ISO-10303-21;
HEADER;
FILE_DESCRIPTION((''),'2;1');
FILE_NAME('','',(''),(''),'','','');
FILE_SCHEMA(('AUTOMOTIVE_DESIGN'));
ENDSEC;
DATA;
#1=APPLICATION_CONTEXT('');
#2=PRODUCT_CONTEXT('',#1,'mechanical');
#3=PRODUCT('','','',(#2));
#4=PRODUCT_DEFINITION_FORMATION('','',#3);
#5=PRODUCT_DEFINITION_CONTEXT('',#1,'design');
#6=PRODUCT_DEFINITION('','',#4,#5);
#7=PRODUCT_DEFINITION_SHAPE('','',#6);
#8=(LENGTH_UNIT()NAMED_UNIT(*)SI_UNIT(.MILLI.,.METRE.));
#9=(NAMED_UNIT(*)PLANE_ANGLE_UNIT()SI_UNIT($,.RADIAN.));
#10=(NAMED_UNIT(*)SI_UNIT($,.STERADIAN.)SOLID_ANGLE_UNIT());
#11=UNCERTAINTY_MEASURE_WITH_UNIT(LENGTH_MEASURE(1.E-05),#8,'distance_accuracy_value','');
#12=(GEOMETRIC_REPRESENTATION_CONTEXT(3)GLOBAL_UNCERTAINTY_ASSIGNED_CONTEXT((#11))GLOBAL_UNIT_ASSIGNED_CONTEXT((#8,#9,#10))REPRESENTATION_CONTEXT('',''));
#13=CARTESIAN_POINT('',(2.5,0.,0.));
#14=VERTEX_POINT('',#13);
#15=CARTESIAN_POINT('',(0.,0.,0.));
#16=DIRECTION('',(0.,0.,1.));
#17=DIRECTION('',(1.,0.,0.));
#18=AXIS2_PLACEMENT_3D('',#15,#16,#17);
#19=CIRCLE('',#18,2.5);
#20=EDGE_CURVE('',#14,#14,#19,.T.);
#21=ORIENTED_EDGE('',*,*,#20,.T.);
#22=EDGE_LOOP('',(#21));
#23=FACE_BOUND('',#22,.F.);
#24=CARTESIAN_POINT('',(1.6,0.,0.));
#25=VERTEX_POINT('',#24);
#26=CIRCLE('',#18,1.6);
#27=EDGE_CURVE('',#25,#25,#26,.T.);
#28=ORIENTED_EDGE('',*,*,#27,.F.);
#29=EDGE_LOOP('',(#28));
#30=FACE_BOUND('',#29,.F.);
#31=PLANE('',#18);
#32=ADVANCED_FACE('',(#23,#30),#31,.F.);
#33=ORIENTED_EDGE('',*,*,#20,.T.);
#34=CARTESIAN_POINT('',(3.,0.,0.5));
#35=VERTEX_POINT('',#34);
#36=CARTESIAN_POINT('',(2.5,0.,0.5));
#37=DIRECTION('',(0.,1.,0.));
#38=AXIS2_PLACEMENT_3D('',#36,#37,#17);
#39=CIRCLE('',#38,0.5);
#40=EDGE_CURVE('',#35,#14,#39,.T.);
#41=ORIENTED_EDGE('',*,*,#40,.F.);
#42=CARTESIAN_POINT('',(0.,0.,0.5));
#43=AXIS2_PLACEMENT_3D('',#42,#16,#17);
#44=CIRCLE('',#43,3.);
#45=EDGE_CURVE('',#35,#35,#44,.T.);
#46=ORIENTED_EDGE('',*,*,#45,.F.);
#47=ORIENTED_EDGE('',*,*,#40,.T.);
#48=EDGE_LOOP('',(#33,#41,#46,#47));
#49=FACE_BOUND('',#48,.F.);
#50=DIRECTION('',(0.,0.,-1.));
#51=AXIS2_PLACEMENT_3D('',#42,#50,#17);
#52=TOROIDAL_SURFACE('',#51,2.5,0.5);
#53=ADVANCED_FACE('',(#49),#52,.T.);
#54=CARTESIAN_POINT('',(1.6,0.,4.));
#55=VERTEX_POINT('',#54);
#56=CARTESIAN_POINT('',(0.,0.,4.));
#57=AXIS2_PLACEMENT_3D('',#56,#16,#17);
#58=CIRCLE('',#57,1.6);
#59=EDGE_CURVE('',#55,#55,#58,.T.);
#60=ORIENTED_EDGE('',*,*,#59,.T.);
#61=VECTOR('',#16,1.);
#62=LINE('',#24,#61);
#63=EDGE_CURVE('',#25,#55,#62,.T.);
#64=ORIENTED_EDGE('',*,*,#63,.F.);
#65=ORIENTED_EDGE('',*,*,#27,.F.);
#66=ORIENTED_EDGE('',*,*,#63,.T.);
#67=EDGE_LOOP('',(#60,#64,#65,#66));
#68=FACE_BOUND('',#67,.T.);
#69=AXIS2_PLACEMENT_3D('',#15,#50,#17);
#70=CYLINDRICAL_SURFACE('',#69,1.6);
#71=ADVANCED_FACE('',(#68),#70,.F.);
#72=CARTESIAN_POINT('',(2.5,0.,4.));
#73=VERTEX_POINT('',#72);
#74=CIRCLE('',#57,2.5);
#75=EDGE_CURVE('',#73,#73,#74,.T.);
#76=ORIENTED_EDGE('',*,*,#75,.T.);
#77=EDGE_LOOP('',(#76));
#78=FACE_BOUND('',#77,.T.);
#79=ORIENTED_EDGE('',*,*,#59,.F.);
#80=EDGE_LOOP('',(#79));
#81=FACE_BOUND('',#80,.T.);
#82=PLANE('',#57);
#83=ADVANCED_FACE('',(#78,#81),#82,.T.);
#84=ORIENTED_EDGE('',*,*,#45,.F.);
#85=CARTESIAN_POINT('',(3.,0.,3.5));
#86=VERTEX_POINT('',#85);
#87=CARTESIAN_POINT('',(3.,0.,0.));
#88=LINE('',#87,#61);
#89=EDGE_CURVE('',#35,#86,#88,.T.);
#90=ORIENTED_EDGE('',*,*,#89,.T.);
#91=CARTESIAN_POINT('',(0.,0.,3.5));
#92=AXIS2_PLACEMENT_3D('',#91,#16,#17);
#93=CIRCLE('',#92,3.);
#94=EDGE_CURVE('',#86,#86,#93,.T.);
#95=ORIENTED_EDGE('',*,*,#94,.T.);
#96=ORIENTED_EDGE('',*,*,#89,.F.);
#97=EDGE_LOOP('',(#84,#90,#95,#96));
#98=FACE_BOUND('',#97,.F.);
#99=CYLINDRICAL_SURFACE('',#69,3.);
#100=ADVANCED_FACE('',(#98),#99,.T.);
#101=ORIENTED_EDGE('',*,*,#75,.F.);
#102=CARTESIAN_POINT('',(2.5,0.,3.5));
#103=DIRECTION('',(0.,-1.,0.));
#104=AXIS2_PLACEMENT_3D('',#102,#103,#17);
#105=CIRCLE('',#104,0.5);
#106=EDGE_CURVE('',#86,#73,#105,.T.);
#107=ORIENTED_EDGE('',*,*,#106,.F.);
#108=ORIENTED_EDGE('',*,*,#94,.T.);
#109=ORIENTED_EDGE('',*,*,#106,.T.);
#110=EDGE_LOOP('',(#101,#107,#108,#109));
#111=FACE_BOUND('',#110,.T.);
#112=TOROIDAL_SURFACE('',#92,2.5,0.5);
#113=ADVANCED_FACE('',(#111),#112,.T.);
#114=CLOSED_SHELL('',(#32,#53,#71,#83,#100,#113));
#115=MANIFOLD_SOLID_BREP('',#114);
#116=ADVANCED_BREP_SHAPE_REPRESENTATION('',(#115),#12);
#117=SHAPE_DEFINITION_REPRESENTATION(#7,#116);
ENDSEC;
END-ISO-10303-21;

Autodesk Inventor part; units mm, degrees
ref_plane "YZ Plane" through (0, 0, 0) normal (1, 0, 0) x (0, 1, 0)
ref_plane "XZ Plane" through (0, 0, 0) normal (0, 1, 0) x (-1, 0, 0)
ref_plane "XY Plane" through (0, 0, 0) normal (0, 0, 1) x (1, 0, 0)
sketch "スケッチ1" plane through (0, 0, 0) normal (0, 0, 1) x (1, 0, 0)
  circle A0 centre (0, 0) radius 1.6
  circle A1 centre (0, 0) radius 3
  dimension "d0" = 3.2
  dimension "d1" = 6
extrude "押し出し1" add sketch "スケッチ1" along normal blind 4
fillet "フィレット1" radius 0.5 2 edges at (-3, 0, 4) (-3, 0, 0)
properties part number "ストッパ"
